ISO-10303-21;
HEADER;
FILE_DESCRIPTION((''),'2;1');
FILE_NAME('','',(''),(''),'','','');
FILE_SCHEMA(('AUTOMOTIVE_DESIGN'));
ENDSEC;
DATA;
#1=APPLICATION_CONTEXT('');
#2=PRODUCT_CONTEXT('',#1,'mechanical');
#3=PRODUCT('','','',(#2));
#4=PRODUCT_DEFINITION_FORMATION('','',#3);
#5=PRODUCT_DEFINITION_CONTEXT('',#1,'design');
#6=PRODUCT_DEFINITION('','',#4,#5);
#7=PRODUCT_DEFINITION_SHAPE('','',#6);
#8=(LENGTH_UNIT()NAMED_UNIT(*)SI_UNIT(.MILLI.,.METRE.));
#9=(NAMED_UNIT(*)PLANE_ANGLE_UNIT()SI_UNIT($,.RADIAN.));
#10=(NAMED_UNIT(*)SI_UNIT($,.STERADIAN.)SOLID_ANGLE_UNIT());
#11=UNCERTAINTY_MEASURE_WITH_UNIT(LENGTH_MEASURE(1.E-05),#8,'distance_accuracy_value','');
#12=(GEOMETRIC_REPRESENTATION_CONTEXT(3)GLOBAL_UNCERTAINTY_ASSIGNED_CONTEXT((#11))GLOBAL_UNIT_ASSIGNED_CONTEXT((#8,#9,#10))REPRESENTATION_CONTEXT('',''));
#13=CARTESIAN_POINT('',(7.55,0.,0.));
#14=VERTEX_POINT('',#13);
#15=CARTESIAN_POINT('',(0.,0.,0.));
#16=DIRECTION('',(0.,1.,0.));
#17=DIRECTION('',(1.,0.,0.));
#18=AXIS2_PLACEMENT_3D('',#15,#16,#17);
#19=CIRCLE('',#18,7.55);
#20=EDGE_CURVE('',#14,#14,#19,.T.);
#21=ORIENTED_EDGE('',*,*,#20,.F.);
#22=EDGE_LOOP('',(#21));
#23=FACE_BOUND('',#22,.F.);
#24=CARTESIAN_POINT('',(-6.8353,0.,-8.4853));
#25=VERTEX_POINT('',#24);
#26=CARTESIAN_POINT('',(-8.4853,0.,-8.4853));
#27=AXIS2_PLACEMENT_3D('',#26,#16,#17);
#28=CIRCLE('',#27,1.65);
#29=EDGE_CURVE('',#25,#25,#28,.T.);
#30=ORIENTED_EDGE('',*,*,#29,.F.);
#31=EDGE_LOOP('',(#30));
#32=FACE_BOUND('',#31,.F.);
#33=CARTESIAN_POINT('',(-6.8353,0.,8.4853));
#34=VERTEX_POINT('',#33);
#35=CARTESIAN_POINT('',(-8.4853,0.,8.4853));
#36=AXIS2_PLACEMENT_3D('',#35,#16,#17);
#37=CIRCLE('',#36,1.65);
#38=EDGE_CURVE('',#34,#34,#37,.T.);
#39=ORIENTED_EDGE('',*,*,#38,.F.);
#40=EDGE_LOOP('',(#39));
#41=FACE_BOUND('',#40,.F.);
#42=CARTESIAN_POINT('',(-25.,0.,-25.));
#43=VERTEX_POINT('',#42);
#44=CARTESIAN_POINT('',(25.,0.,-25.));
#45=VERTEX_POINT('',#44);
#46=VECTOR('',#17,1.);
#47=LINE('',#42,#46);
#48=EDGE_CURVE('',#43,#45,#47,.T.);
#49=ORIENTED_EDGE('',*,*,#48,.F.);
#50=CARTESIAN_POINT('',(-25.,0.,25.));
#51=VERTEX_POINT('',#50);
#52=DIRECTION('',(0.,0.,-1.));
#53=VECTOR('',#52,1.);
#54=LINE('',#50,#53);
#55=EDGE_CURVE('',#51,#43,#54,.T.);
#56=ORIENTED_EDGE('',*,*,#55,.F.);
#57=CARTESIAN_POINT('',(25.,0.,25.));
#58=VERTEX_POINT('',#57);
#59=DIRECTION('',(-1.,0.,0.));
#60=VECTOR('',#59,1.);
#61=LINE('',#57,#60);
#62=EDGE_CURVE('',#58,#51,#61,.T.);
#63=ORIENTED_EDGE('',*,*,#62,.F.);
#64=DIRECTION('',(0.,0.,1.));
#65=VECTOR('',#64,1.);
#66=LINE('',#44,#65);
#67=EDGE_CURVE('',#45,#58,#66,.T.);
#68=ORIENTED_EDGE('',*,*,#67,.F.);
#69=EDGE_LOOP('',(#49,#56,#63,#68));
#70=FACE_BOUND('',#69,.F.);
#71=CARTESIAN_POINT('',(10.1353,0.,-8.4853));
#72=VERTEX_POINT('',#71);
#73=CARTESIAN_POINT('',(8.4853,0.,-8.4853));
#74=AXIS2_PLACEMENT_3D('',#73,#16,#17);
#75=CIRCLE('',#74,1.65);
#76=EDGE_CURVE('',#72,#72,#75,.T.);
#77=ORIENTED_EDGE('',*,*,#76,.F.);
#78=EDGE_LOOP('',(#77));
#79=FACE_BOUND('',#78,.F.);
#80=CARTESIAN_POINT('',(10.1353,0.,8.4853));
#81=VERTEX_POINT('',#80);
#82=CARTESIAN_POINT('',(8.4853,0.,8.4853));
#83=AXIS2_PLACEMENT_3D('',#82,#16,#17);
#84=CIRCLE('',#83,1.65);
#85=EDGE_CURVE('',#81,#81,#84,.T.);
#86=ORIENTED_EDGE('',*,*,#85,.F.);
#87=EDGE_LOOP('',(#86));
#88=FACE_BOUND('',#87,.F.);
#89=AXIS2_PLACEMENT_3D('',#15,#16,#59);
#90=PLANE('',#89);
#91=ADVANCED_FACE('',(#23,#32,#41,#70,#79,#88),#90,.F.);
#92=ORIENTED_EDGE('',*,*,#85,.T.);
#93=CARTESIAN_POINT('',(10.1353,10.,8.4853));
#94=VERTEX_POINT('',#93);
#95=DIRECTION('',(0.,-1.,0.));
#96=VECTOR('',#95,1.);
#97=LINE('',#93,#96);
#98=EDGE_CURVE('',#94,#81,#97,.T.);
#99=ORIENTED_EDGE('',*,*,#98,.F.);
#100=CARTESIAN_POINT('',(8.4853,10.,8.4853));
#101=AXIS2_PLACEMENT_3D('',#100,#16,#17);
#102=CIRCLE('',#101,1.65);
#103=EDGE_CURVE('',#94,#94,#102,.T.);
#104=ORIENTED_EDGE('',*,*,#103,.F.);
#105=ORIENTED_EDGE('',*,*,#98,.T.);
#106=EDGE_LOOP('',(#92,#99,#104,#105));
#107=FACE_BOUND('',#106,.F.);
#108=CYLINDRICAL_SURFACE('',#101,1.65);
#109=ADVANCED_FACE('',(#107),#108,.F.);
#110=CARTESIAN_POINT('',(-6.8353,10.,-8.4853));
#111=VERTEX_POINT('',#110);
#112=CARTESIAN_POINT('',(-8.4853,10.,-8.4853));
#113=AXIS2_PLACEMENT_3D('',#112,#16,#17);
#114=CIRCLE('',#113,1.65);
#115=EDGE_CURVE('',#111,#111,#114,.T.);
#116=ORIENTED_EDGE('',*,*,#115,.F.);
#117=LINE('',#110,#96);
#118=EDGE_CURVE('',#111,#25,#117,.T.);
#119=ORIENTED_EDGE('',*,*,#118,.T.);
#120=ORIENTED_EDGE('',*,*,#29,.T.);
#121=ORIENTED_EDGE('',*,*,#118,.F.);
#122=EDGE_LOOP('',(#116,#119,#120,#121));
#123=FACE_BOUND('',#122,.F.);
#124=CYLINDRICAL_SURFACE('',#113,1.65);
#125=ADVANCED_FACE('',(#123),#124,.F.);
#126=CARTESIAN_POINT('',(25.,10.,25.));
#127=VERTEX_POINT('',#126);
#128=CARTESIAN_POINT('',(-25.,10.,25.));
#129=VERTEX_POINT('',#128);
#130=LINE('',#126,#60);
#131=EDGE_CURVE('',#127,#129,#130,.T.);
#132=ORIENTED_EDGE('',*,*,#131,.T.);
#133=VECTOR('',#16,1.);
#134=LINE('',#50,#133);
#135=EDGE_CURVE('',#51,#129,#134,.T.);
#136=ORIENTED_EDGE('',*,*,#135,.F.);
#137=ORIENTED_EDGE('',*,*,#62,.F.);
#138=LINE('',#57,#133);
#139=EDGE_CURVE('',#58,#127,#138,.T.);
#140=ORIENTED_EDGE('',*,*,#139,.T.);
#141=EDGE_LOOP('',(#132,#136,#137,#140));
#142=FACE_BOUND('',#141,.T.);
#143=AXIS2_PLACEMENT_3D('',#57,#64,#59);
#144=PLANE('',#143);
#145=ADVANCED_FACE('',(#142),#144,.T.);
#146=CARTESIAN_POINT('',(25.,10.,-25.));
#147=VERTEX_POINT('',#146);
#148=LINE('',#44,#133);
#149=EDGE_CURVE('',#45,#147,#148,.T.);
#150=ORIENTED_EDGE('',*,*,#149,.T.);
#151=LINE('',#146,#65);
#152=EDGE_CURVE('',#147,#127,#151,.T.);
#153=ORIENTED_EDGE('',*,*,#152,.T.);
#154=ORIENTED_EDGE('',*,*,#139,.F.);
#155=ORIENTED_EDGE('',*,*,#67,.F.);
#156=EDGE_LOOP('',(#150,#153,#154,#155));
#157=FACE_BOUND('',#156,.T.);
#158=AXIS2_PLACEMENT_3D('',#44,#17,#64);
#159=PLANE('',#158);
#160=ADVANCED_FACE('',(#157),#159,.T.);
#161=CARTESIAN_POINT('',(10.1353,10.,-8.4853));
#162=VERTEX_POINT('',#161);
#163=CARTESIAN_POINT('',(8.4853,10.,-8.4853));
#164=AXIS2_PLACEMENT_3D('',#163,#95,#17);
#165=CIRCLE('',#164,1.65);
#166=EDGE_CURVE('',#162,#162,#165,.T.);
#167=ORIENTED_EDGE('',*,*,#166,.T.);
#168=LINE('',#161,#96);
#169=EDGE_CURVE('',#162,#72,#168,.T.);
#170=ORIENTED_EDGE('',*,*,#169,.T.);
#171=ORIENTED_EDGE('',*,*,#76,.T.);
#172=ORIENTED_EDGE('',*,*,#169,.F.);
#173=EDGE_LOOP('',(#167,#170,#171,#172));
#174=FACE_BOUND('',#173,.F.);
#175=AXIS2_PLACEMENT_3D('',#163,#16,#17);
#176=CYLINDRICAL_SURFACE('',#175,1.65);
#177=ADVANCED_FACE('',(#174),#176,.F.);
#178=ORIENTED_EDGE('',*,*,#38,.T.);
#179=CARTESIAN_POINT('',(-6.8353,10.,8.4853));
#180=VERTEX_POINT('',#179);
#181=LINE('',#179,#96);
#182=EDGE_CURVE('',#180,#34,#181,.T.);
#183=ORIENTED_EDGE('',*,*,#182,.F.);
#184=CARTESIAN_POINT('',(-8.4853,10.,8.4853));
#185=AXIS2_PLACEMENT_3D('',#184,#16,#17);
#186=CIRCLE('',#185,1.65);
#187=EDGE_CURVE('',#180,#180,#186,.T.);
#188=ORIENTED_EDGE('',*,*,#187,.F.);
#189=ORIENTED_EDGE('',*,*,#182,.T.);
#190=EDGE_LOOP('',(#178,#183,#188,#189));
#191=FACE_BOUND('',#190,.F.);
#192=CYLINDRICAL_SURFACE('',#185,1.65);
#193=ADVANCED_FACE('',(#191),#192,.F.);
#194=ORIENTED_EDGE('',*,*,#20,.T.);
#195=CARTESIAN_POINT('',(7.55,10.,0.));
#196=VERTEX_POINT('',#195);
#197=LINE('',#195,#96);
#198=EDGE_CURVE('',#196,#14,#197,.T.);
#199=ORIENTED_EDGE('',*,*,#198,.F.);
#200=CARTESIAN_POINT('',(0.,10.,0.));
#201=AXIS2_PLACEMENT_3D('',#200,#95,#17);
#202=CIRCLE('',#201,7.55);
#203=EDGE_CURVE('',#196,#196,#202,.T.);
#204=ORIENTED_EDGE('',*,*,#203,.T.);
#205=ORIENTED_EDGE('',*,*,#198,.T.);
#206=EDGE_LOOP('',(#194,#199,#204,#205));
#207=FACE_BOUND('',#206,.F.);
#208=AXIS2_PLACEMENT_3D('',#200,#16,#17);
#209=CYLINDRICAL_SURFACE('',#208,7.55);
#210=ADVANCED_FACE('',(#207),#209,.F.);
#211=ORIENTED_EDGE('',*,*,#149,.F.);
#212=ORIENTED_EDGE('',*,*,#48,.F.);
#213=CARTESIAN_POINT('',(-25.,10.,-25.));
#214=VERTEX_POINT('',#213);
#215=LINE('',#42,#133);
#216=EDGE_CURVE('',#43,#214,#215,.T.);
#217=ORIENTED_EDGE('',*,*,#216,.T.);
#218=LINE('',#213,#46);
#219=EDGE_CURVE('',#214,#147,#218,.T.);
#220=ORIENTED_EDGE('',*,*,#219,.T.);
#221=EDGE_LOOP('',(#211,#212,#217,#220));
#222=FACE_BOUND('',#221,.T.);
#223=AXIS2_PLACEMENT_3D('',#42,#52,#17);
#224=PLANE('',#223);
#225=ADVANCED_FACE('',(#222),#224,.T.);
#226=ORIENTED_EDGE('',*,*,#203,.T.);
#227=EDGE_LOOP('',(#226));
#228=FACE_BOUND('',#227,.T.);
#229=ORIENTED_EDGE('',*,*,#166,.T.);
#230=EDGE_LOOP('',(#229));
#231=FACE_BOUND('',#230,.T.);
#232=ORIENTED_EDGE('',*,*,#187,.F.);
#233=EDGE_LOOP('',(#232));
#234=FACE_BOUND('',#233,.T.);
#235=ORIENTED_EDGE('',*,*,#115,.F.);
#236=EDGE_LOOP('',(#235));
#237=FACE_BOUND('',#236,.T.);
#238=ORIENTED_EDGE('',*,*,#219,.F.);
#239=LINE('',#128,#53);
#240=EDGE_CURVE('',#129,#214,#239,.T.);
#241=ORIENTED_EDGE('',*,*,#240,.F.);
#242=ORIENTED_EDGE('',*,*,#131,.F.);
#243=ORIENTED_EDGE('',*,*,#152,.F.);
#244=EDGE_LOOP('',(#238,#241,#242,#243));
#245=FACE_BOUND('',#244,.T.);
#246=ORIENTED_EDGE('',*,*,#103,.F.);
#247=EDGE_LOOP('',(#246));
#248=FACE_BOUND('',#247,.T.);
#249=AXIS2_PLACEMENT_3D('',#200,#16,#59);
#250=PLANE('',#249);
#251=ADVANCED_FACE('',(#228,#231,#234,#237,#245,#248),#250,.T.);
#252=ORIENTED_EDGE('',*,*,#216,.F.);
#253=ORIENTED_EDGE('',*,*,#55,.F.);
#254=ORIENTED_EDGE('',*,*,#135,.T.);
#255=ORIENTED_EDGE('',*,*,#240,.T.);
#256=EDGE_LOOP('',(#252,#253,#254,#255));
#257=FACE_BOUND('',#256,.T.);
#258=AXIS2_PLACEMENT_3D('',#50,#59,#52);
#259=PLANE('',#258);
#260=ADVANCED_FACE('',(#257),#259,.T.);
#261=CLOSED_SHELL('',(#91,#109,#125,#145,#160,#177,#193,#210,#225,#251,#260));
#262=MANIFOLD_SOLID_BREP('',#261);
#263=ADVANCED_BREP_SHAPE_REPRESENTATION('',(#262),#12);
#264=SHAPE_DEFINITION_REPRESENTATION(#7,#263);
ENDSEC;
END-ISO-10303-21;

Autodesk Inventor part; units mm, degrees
ref_plane "YZ Plane" through (0, 0, 0) normal (1, 0, 0) x (0, 1, 0)
ref_plane "XZ Plane" through (0, 0, 0) normal (0, 1, 0) x (-1, 0, 0)
ref_plane "XY Plane" through (0, 0, 0) normal (0, 0, 1) x (1, 0, 0)
sketch "Sketch1" plane through (0, 0, 0) normal (0, 1, 0) x (-1, 0, 0)
  line L0 (25, -25) -> (-25, -25)
  line L1 (-25, -25) -> (-25, 25)
  line L2 (-25, 25) -> (25, 25)
  line L3 (25, 25) -> (25, -25)
  line L4 (25, -25) -> (-25, 25) construction
  line L5 (-25, -25) -> (25, 25) construction
  point P0 (0, 0)
  dimension "d0" = 50
  dimension "d1" = 50
extrude "Extrusion1" add sketch "Sketch1" along normal blind 10
sketch "Sketch2" plane through (0, 10, 0) normal (0, 1, 0) x (1, 0, 0)
  circle A0 centre (0, 0) radius 7.55
  circle A1 centre (8.4853, 8.4853) radius 1.65
  line L0 (0, 0) -> (8.4853, 8.4853)
  line L1 (0, 0) -> (12, 0) construction
  circle A2 centre (-8.4853, 8.4853) radius 1.65
  circle A3 centre (-8.4853, -8.4853) radius 1.65
  circle A4 centre (8.4853, -8.4853) radius 1.65
  dimension "d4" = 15.1
  dimension "d5" = 3.3
  dimension "d7" = 12
  dimension "d8" = 45
  dimension "d11" = 360
extrude "lmk8uu holes" cut sketch "Sketch2" against normal up to next
equation "\"d4\" = center_hole"
equation "\"d5\" = mount_hole"
equation "\"d7\" = hole_radius"
equation "\"hole_radius\" = 12"
equation "\"mount_hole\" = 3.3"
equation "\"center_hole\" = 15.1"
properties part number "lmk8uugen"
